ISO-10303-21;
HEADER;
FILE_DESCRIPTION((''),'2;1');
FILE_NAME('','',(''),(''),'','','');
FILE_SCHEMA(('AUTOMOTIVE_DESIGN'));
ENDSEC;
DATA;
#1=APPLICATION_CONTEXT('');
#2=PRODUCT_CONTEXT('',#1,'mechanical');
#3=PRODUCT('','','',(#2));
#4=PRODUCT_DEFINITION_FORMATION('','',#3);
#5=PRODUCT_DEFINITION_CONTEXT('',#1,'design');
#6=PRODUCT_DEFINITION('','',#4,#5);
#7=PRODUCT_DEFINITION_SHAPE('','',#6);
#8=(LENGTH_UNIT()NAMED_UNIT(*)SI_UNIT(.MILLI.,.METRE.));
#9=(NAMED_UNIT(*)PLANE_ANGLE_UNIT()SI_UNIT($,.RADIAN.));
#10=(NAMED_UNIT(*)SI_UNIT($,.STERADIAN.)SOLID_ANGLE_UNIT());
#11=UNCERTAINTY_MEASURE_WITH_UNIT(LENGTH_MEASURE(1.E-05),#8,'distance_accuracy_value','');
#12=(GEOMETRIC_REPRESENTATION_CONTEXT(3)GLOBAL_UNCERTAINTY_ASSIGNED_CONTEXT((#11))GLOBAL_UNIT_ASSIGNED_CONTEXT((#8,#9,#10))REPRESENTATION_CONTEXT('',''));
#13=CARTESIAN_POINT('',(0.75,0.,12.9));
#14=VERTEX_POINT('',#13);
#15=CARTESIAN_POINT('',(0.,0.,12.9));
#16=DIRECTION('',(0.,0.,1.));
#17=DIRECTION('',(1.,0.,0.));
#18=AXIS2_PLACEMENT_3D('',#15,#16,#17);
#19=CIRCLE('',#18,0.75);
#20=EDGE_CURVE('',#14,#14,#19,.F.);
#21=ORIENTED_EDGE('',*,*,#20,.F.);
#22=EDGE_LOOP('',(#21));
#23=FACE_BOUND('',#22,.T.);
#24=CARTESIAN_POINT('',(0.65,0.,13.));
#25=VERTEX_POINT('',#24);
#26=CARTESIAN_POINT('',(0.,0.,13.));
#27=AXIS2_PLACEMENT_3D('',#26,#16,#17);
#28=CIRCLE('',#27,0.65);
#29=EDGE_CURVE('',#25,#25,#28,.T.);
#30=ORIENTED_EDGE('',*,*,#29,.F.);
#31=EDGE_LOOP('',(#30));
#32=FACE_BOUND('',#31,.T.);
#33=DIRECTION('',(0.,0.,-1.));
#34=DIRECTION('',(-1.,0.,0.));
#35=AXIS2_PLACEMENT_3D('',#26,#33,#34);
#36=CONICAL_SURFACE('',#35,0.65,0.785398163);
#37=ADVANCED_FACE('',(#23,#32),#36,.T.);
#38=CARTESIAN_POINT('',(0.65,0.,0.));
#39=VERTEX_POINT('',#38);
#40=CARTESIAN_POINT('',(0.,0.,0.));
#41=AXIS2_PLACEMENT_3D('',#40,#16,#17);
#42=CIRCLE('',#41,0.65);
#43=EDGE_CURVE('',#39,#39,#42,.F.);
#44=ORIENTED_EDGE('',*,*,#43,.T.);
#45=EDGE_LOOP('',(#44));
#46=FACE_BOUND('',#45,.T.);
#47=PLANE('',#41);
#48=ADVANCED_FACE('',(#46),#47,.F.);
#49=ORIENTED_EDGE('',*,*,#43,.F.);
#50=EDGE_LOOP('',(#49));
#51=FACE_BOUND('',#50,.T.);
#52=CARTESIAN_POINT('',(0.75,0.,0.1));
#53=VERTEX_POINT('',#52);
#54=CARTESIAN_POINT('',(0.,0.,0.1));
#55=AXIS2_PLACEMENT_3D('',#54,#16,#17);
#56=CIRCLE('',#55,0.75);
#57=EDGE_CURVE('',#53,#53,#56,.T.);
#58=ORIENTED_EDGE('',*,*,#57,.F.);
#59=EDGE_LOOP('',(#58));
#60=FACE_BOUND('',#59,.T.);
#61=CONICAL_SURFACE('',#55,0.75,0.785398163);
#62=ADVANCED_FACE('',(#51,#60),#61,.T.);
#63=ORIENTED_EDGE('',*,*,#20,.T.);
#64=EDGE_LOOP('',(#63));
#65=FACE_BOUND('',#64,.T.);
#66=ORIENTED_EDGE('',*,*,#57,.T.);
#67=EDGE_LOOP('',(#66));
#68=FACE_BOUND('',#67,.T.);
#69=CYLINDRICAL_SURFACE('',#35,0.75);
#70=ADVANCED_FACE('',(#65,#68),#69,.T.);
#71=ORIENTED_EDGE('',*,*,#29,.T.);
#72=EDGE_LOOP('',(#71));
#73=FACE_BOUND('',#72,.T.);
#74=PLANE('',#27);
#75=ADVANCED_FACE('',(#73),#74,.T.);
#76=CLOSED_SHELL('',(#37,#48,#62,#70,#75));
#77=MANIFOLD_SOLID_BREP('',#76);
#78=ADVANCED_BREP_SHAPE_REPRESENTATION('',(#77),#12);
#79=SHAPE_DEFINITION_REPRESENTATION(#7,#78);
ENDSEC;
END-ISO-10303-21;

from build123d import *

# Parameters (mm, degrees)
SKETCH1_R           = 0.75
BOSS_EXTRUDE1_DEPTH = 13
CHAMFER1_SIZE       = 0.1


with BuildPart() as part:
    # Sketch1 → Boss-Extrude1 (new body)
    with BuildSketch(Plane.XY):
        Circle(SKETCH1_R)
    extrude(amount=BOSS_EXTRUDE1_DEPTH)

    # Chamfer1
    chamfer1_edges = [part.edges().sort_by_distance(p)[0] for p in [
        (-0.75, 0, 0),
        (-0.75, 0, 13),
    ]]
    chamfer(chamfer1_edges, length=CHAMFER1_SIZE)


solid = part.part
